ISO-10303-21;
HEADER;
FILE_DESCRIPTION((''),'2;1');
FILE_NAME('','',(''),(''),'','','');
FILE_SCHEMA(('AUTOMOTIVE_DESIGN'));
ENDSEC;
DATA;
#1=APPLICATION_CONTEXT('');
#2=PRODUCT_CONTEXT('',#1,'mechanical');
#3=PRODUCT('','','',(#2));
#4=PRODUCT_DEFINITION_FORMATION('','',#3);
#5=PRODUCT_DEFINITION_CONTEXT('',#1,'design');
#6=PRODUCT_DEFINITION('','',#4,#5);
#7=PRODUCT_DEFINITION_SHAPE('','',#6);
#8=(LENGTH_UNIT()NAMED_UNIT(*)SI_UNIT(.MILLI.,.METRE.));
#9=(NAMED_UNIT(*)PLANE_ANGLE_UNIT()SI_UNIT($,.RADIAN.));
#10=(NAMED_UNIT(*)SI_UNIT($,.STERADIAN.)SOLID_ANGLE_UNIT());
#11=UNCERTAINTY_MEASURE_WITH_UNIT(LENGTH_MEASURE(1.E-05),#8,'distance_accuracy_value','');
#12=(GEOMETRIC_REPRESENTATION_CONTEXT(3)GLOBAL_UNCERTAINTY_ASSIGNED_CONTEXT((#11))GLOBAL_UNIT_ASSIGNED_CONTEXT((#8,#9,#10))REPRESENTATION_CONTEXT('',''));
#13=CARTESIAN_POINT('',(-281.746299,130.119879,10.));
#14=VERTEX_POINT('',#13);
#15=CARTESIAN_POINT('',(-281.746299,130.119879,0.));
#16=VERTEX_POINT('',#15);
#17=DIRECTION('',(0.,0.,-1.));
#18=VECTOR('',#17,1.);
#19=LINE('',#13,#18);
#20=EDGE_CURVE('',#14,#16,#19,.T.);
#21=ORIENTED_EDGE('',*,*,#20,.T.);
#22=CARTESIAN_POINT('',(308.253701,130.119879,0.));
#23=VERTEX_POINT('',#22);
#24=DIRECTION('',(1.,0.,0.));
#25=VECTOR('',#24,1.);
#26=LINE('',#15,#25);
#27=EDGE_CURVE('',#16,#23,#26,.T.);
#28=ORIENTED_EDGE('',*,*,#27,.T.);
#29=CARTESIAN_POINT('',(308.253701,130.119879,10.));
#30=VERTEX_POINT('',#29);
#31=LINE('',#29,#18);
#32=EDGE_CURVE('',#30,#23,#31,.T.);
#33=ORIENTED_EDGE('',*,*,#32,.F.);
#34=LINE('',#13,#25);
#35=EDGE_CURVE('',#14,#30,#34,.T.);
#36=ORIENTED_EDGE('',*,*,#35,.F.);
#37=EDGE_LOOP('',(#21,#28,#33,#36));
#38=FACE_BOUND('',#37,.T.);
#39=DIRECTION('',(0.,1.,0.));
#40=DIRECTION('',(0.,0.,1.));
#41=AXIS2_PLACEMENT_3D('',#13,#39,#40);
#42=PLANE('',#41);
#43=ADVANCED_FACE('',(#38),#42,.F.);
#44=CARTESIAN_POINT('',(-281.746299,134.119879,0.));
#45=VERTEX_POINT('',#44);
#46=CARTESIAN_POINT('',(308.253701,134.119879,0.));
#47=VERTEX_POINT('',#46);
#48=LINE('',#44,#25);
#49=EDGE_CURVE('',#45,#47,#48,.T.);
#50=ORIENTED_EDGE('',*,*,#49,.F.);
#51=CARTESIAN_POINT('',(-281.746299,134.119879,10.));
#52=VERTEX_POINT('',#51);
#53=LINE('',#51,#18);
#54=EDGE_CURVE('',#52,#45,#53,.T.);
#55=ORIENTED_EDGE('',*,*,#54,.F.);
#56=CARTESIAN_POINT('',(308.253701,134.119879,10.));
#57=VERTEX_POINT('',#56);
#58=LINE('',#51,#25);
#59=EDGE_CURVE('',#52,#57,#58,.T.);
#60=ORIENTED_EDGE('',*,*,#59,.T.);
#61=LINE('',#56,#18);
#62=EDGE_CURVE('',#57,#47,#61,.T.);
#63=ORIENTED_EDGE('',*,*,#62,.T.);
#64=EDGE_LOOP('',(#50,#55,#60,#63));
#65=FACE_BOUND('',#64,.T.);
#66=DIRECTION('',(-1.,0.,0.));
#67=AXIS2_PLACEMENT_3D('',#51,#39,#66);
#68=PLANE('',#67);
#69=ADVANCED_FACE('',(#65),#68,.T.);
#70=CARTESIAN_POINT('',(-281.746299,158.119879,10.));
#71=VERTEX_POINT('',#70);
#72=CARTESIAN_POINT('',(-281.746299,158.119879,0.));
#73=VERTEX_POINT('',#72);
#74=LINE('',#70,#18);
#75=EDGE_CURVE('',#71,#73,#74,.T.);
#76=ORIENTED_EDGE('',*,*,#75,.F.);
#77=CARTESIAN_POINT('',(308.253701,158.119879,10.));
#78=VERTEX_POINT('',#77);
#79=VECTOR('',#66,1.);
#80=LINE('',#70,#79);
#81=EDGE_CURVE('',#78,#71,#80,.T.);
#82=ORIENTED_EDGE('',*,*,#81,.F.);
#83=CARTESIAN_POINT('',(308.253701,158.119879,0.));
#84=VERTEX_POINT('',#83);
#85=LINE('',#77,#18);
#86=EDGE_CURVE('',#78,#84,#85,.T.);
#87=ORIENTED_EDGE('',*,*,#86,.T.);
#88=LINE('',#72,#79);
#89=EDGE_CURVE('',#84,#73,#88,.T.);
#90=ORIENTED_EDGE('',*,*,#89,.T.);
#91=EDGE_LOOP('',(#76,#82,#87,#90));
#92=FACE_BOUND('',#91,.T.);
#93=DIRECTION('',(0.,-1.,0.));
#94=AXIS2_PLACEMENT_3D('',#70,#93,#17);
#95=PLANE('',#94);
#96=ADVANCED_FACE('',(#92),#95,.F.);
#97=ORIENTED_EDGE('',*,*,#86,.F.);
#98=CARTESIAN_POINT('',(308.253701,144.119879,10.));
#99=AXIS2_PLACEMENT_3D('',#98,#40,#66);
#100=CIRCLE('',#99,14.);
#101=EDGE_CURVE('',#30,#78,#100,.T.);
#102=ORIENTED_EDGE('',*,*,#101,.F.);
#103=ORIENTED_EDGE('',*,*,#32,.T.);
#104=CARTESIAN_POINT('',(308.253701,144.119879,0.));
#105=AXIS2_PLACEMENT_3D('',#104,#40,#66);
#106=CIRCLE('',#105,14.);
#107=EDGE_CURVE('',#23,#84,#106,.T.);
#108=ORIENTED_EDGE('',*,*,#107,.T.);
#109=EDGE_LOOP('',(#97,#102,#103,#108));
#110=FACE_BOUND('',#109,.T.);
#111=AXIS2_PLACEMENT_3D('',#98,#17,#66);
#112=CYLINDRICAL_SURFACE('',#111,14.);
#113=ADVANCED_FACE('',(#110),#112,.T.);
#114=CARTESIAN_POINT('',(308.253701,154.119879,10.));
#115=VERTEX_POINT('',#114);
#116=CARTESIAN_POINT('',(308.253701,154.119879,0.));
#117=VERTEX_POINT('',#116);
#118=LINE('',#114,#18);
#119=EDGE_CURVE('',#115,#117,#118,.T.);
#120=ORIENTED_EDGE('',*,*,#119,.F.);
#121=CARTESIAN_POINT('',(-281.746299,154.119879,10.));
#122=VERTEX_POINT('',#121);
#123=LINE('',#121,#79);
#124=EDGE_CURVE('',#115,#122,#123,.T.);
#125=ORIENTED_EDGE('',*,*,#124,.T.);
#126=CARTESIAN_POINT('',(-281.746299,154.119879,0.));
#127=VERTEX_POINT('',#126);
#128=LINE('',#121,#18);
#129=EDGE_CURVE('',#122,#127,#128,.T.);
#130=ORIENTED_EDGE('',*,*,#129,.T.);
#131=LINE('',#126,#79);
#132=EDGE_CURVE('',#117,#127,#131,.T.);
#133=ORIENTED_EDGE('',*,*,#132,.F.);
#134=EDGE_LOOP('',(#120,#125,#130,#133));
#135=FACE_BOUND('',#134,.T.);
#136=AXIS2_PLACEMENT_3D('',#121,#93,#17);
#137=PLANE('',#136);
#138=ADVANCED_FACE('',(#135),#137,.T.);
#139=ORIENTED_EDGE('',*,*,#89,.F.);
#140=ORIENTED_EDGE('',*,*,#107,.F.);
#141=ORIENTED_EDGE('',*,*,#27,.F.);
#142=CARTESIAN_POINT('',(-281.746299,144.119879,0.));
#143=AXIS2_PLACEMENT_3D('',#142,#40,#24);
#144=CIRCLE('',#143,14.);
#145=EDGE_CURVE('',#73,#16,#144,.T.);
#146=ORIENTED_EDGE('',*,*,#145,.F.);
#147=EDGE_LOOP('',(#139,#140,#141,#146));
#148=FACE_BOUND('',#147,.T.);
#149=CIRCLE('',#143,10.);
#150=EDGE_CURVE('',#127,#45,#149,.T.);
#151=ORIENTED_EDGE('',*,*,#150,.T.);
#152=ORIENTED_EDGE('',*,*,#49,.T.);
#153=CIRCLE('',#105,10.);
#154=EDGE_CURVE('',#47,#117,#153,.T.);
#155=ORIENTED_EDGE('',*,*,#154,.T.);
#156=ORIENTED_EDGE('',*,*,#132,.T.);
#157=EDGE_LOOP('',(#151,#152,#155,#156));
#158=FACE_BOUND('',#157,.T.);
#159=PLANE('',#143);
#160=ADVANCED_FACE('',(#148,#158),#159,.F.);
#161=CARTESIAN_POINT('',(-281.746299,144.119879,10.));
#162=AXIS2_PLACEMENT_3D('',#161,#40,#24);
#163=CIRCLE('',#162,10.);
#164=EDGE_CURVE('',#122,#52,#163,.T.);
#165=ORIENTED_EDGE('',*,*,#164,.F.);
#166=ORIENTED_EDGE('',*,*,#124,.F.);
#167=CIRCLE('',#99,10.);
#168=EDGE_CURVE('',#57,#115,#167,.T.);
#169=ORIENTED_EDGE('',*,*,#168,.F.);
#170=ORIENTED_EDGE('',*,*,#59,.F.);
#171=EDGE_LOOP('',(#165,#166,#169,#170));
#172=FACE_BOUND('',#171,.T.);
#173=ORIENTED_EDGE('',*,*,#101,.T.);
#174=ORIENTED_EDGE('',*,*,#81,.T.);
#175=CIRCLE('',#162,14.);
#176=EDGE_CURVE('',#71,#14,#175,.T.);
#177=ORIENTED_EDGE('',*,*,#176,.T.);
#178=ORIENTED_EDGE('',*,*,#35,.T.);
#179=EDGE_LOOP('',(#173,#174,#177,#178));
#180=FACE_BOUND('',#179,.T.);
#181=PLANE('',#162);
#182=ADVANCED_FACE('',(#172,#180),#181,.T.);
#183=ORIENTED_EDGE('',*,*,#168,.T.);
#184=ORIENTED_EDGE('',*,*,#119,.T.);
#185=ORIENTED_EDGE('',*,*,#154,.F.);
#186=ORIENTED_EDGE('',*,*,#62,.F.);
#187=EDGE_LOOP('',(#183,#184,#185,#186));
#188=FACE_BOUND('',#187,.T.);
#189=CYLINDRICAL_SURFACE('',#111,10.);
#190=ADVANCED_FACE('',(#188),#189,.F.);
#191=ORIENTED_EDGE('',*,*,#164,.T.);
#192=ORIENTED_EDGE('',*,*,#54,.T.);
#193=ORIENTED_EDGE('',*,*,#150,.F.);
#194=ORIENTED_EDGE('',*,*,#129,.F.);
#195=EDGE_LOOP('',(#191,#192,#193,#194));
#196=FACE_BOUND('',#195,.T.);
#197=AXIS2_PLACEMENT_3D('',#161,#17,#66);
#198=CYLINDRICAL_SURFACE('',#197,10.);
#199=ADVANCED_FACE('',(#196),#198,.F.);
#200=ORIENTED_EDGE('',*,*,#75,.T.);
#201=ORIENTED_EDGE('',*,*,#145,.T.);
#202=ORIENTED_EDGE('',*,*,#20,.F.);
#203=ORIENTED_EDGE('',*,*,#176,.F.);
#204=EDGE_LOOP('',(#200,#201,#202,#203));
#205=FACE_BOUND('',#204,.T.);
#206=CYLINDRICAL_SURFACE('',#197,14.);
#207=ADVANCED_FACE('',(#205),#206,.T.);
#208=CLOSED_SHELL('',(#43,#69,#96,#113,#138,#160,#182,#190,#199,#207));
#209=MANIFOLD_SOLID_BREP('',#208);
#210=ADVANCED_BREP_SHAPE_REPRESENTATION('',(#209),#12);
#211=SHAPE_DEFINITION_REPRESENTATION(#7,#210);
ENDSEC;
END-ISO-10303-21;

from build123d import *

# Parameters (mm, degrees)
BOSS_EXTRUDE1_DEPTH = 10


with BuildPart() as part:
    # Sketch1 → Boss-Extrude1 (new body)
    with BuildSketch(Plane.XY):
        with BuildLine():
            Line((-281.746298651, 158.119878604), (308.253701349, 158.119878604))
            ThreePointArc((308.253701349, 158.119878604), (322.253701349, 144.119878604), (308.253701349, 130.119878604))
            Line((308.253701349, 130.119878604), (-281.746298651, 130.119878604))
            ThreePointArc((-281.746298651, 130.119878604), (-295.746298651, 144.119878604), (-281.746298651, 158.119878604))
        make_face()
        with BuildLine():
            Line((-281.746298651, 154.119878604), (308.253701349, 154.119878604))
            ThreePointArc((308.253701349, 154.119878604), (318.253701349, 144.119878604), (308.253701349, 134.119878604))
            Line((308.253701349, 134.119878604), (-281.746298651, 134.119878604))
            ThreePointArc((-281.746298651, 134.119878604), (-291.746298651, 144.119878604), (-281.746298651, 154.119878604))
        make_face(mode=Mode.SUBTRACT)
    extrude(amount=BOSS_EXTRUDE1_DEPTH)


solid = part.part
